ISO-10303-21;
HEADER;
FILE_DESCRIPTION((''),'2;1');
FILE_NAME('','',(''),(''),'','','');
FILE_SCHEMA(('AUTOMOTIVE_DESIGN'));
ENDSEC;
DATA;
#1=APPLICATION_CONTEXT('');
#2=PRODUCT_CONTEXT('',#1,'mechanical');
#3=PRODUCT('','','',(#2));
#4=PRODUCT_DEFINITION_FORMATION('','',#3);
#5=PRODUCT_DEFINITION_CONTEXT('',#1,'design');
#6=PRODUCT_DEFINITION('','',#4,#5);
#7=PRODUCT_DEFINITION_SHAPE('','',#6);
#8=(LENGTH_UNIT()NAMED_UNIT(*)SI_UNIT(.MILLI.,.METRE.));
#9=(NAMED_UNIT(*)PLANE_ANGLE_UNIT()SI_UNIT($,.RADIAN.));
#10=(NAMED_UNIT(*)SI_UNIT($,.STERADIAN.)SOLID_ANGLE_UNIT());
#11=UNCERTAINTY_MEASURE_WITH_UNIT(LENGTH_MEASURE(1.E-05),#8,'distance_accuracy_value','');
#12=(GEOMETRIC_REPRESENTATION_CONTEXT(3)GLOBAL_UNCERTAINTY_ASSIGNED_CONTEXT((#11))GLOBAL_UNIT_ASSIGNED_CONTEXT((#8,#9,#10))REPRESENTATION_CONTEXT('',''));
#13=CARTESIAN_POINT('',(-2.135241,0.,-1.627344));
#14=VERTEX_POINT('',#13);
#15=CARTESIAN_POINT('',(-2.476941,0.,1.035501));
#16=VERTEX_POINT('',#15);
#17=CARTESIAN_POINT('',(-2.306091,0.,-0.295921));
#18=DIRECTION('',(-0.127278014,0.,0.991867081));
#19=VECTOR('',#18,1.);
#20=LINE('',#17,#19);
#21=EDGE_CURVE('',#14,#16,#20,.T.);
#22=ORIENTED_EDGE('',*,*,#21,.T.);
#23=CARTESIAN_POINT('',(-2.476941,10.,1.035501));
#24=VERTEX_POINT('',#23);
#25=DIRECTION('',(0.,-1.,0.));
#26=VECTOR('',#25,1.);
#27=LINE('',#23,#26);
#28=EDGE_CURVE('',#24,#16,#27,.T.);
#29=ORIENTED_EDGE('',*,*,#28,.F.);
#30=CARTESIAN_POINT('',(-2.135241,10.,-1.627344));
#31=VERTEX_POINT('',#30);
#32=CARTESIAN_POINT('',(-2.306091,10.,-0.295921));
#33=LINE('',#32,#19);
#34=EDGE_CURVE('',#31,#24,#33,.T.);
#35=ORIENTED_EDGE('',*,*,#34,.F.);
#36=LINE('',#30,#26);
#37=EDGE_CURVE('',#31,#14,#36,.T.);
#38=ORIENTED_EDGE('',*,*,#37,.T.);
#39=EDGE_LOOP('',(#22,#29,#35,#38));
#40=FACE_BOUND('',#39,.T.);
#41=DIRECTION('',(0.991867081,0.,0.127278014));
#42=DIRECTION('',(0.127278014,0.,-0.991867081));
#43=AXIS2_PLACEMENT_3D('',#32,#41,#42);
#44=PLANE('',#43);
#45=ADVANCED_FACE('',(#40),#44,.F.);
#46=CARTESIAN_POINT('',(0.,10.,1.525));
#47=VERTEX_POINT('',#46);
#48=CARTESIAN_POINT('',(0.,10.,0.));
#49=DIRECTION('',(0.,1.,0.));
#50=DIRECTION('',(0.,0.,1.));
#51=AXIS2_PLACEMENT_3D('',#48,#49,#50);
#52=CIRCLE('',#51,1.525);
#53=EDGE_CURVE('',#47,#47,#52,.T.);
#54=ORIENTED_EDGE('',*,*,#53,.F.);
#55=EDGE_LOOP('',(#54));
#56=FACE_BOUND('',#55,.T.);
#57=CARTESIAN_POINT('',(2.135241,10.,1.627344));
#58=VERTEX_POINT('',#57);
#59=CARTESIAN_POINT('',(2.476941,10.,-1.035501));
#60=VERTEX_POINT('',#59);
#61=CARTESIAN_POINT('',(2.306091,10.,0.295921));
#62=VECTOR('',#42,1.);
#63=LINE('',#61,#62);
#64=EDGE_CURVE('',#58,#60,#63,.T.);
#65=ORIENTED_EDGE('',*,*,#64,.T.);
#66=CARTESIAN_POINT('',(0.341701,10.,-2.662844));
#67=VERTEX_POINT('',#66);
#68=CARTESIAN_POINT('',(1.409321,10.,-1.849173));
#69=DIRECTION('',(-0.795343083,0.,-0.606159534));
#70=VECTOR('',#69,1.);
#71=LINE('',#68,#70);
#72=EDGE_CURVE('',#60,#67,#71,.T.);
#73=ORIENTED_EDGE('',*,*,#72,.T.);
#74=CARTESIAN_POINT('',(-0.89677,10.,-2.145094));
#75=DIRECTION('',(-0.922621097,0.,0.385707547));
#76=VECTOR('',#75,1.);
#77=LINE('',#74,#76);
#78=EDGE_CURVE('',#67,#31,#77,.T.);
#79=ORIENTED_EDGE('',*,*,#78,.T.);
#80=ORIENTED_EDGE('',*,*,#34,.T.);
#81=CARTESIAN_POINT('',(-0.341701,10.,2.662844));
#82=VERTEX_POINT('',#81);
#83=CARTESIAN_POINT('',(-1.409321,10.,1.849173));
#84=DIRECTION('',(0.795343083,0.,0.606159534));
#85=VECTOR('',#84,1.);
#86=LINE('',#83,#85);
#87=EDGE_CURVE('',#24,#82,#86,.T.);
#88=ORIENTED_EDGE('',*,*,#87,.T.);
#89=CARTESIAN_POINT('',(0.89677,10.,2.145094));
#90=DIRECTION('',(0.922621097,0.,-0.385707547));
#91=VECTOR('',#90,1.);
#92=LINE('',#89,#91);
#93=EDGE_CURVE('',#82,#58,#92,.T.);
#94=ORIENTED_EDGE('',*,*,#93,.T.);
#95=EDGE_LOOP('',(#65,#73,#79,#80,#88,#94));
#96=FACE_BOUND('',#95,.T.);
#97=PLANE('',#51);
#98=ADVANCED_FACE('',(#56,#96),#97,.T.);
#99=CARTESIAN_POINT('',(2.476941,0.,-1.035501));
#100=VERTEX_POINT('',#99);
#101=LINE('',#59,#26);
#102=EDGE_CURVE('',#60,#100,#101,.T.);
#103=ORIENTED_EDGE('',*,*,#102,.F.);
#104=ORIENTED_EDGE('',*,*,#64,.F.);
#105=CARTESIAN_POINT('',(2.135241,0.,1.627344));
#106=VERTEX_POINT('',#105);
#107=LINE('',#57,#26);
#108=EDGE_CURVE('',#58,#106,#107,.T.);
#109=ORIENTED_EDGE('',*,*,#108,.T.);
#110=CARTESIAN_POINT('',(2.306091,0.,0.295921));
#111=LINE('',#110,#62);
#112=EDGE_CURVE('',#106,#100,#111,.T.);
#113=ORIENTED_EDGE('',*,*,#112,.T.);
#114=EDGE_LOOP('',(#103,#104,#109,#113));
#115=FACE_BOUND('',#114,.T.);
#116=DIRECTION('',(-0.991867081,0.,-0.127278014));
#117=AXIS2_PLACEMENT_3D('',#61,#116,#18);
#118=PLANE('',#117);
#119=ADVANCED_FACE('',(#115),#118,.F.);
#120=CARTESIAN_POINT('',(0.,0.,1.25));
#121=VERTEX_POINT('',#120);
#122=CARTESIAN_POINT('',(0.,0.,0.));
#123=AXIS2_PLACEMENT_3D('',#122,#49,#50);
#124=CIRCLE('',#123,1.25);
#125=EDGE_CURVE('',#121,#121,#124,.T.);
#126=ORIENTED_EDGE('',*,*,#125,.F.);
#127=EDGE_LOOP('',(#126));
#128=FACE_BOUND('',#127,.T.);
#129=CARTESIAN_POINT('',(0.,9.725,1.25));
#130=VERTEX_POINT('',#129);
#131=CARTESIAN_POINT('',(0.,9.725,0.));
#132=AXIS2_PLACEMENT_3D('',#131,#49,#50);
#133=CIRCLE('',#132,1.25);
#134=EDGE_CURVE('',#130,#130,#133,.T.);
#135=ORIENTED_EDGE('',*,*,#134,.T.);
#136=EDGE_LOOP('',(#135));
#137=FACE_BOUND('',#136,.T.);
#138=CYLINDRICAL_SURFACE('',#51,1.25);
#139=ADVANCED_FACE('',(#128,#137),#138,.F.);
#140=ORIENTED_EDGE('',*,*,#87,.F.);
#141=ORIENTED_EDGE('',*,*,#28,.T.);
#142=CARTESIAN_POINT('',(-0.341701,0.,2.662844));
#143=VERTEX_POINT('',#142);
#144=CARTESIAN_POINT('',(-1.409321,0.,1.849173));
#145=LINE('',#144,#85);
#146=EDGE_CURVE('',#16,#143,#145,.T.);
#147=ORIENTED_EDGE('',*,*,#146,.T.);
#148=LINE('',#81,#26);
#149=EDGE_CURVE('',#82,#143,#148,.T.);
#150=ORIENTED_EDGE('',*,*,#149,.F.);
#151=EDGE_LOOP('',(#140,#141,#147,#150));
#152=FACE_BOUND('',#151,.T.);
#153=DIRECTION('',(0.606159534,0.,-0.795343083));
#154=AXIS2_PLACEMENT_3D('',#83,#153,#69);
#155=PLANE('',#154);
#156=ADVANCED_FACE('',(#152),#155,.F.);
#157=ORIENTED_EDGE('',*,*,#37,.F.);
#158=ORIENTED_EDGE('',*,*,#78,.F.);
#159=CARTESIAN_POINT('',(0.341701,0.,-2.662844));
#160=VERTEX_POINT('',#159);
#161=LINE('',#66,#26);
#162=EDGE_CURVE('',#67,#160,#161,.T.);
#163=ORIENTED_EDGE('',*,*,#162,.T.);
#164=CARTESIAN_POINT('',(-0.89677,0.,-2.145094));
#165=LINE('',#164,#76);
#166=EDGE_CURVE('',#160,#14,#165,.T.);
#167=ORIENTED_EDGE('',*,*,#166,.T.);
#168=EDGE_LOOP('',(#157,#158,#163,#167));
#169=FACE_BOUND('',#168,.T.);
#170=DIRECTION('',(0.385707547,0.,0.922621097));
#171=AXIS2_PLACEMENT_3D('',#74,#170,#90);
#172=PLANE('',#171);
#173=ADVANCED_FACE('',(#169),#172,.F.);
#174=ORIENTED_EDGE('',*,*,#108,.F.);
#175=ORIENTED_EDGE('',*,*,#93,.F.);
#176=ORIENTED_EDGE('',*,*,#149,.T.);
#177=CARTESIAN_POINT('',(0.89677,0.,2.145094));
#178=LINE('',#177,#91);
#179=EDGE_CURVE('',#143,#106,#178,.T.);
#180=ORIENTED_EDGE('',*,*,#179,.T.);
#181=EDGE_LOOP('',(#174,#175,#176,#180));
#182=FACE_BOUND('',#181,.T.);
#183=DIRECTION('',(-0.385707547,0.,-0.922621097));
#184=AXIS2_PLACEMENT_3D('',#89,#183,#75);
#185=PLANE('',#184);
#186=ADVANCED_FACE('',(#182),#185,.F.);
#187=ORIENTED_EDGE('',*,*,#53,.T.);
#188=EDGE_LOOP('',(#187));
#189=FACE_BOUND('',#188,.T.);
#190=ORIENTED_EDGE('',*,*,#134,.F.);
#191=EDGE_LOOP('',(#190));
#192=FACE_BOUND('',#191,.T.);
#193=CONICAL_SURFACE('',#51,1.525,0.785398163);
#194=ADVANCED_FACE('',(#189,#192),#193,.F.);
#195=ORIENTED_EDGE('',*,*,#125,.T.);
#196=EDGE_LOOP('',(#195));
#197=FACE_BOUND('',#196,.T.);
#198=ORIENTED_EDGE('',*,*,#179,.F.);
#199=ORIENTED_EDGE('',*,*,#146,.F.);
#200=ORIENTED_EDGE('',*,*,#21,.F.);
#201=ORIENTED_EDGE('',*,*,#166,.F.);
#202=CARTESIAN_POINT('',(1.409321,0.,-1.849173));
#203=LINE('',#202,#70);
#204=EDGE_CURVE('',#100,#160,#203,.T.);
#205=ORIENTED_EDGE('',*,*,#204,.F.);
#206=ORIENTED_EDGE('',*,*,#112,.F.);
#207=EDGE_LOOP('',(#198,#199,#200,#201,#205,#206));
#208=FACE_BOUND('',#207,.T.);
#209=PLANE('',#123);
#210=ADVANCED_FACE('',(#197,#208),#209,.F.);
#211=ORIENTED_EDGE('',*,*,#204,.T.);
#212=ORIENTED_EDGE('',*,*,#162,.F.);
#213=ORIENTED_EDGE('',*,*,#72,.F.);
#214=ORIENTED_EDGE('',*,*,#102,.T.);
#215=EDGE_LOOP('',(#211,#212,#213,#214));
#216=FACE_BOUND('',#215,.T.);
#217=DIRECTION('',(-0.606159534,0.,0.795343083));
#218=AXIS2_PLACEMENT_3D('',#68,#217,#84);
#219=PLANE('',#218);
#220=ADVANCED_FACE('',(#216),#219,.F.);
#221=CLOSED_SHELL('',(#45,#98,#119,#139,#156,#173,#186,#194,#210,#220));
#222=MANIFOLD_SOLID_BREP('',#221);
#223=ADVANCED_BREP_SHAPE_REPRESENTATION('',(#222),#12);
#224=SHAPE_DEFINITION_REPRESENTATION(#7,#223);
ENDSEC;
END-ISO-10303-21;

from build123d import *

# Parameters (mm, degrees)
EXTRUDE_1_DEPTH              = 10
HOLE_WIZARD_M3_1_D           = 2.5
HOLE_WIZARD_M3_1_CSINK_D     = 3.05
HOLE_WIZARD_M3_1_CSINK_ANGLE = 90


with BuildPart() as part:
    # 草图1 → 凸台-拉伸1 (new body)
    with BuildSketch(Plane(origin=(0, 0, 0), x_dir=(1, 0, 0), z_dir=(0, 1, 0))):
        Polygon((-2.476941254, -1.035500857), (-0.341700579, -2.662844478), (2.135240675, -1.627343621), (2.476941254, 1.035500857), (0.341700579, 2.662844478), (-2.135240675, 1.627343621), align=None)
    extrude(amount=EXTRUDE_1_DEPTH)

    # M3 螺纹孔1 (through all)
    with Locations(Plane(origin=(0, 10, 0), x_dir=(1, 0, 0), z_dir=(0, 1, 0))):
        with Locations((0, 0)):
            CounterSinkHole(HOLE_WIZARD_M3_1_D / 2, HOLE_WIZARD_M3_1_CSINK_D / 2, counter_sink_angle=HOLE_WIZARD_M3_1_CSINK_ANGLE)


solid = part.part
